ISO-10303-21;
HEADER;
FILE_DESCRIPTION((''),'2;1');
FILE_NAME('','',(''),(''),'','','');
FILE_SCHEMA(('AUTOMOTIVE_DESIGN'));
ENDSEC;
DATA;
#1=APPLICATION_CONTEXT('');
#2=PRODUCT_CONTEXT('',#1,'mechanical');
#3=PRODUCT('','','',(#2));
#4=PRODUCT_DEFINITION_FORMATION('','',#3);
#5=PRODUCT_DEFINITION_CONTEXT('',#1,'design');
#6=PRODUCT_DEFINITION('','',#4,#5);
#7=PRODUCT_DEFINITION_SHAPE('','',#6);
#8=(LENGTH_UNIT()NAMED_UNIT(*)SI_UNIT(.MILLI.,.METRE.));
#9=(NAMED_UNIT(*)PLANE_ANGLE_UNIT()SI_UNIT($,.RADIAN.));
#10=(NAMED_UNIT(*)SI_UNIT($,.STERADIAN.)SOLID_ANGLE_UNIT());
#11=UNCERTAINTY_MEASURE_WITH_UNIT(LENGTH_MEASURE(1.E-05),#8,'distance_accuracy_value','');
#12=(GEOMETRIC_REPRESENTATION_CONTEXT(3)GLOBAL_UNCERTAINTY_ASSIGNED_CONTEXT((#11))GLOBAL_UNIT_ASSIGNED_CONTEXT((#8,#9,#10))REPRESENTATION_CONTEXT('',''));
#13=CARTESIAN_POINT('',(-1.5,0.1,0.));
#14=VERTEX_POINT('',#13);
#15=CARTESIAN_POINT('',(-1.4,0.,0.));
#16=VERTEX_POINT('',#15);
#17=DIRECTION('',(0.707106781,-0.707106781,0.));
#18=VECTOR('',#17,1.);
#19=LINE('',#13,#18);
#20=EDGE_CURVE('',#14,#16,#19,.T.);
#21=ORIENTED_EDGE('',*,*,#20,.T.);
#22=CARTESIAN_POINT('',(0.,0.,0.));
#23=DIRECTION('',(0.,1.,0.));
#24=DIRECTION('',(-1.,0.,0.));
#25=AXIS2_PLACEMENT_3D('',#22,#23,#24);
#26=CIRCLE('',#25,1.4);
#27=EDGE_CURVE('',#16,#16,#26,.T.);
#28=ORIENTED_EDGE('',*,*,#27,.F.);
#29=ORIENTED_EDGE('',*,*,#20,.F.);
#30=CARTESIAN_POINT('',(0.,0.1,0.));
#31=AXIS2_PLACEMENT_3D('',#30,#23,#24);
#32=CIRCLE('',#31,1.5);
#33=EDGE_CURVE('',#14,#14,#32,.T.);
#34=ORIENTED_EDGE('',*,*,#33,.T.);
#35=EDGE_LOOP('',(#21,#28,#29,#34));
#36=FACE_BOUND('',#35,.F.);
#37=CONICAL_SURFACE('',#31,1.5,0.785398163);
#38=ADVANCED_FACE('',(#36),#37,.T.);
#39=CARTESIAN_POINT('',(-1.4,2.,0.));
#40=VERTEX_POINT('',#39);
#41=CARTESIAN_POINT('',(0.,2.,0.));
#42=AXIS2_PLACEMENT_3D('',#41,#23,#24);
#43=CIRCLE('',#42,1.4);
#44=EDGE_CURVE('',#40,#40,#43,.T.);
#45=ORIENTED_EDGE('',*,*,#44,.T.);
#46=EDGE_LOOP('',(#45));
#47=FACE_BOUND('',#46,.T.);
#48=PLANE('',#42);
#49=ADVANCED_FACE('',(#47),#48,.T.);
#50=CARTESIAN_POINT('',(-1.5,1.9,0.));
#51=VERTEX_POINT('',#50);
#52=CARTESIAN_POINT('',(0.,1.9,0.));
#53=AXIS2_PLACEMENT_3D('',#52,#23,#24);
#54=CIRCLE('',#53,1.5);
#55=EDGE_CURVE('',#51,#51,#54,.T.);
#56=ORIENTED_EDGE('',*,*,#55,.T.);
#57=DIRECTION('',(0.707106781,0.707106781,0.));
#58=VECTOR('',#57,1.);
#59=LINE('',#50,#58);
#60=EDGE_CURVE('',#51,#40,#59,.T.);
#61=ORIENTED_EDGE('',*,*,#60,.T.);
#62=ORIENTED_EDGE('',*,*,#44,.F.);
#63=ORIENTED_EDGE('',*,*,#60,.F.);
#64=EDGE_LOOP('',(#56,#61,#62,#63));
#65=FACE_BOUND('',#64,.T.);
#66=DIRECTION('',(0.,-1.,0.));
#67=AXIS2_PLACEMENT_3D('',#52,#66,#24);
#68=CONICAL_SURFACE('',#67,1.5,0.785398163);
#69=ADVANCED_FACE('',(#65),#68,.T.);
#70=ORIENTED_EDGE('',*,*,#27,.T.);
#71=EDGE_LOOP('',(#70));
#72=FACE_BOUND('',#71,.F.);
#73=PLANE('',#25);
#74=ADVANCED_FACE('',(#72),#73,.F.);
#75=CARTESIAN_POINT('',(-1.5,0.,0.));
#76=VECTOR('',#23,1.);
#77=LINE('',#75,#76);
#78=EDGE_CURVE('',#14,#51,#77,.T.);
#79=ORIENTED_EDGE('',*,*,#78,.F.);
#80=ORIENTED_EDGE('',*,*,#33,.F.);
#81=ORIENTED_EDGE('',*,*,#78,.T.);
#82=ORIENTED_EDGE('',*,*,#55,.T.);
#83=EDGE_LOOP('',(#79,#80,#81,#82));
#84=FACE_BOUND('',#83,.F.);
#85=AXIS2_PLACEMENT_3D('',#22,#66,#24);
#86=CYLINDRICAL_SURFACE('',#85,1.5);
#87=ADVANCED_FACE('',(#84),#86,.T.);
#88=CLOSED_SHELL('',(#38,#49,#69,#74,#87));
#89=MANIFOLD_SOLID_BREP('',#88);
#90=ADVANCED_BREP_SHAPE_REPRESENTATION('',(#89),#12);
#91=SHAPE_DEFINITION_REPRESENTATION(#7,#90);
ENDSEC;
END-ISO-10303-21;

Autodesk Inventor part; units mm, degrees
ref_plane "YZ Plane" through (0, 0, 0) normal (1, 0, 0) x (0, 1, 0)
ref_plane "XZ Plane" through (0, 0, 0) normal (0, 1, 0) x (-1, 0, 0)
ref_plane "XY Plane" through (0, 0, 0) normal (0, 0, 1) x (1, 0, 0)
sketch "Sketch1" plane through (0, 0, 0) normal (0, 1, 0) x (-1, 0, 0)
  circle A0 centre (0, 0) radius 1.5
  dimension "d0" = 3
extrude "Extrusion1" add sketch "Sketch1" along normal blind 2
chamfer "Chamfer1" distance 0.1 angle 45 2 edges at (1.5, 2, 0) (1.5, 0, 0)
properties part number "magnes" material "Steel, Galvanized"
